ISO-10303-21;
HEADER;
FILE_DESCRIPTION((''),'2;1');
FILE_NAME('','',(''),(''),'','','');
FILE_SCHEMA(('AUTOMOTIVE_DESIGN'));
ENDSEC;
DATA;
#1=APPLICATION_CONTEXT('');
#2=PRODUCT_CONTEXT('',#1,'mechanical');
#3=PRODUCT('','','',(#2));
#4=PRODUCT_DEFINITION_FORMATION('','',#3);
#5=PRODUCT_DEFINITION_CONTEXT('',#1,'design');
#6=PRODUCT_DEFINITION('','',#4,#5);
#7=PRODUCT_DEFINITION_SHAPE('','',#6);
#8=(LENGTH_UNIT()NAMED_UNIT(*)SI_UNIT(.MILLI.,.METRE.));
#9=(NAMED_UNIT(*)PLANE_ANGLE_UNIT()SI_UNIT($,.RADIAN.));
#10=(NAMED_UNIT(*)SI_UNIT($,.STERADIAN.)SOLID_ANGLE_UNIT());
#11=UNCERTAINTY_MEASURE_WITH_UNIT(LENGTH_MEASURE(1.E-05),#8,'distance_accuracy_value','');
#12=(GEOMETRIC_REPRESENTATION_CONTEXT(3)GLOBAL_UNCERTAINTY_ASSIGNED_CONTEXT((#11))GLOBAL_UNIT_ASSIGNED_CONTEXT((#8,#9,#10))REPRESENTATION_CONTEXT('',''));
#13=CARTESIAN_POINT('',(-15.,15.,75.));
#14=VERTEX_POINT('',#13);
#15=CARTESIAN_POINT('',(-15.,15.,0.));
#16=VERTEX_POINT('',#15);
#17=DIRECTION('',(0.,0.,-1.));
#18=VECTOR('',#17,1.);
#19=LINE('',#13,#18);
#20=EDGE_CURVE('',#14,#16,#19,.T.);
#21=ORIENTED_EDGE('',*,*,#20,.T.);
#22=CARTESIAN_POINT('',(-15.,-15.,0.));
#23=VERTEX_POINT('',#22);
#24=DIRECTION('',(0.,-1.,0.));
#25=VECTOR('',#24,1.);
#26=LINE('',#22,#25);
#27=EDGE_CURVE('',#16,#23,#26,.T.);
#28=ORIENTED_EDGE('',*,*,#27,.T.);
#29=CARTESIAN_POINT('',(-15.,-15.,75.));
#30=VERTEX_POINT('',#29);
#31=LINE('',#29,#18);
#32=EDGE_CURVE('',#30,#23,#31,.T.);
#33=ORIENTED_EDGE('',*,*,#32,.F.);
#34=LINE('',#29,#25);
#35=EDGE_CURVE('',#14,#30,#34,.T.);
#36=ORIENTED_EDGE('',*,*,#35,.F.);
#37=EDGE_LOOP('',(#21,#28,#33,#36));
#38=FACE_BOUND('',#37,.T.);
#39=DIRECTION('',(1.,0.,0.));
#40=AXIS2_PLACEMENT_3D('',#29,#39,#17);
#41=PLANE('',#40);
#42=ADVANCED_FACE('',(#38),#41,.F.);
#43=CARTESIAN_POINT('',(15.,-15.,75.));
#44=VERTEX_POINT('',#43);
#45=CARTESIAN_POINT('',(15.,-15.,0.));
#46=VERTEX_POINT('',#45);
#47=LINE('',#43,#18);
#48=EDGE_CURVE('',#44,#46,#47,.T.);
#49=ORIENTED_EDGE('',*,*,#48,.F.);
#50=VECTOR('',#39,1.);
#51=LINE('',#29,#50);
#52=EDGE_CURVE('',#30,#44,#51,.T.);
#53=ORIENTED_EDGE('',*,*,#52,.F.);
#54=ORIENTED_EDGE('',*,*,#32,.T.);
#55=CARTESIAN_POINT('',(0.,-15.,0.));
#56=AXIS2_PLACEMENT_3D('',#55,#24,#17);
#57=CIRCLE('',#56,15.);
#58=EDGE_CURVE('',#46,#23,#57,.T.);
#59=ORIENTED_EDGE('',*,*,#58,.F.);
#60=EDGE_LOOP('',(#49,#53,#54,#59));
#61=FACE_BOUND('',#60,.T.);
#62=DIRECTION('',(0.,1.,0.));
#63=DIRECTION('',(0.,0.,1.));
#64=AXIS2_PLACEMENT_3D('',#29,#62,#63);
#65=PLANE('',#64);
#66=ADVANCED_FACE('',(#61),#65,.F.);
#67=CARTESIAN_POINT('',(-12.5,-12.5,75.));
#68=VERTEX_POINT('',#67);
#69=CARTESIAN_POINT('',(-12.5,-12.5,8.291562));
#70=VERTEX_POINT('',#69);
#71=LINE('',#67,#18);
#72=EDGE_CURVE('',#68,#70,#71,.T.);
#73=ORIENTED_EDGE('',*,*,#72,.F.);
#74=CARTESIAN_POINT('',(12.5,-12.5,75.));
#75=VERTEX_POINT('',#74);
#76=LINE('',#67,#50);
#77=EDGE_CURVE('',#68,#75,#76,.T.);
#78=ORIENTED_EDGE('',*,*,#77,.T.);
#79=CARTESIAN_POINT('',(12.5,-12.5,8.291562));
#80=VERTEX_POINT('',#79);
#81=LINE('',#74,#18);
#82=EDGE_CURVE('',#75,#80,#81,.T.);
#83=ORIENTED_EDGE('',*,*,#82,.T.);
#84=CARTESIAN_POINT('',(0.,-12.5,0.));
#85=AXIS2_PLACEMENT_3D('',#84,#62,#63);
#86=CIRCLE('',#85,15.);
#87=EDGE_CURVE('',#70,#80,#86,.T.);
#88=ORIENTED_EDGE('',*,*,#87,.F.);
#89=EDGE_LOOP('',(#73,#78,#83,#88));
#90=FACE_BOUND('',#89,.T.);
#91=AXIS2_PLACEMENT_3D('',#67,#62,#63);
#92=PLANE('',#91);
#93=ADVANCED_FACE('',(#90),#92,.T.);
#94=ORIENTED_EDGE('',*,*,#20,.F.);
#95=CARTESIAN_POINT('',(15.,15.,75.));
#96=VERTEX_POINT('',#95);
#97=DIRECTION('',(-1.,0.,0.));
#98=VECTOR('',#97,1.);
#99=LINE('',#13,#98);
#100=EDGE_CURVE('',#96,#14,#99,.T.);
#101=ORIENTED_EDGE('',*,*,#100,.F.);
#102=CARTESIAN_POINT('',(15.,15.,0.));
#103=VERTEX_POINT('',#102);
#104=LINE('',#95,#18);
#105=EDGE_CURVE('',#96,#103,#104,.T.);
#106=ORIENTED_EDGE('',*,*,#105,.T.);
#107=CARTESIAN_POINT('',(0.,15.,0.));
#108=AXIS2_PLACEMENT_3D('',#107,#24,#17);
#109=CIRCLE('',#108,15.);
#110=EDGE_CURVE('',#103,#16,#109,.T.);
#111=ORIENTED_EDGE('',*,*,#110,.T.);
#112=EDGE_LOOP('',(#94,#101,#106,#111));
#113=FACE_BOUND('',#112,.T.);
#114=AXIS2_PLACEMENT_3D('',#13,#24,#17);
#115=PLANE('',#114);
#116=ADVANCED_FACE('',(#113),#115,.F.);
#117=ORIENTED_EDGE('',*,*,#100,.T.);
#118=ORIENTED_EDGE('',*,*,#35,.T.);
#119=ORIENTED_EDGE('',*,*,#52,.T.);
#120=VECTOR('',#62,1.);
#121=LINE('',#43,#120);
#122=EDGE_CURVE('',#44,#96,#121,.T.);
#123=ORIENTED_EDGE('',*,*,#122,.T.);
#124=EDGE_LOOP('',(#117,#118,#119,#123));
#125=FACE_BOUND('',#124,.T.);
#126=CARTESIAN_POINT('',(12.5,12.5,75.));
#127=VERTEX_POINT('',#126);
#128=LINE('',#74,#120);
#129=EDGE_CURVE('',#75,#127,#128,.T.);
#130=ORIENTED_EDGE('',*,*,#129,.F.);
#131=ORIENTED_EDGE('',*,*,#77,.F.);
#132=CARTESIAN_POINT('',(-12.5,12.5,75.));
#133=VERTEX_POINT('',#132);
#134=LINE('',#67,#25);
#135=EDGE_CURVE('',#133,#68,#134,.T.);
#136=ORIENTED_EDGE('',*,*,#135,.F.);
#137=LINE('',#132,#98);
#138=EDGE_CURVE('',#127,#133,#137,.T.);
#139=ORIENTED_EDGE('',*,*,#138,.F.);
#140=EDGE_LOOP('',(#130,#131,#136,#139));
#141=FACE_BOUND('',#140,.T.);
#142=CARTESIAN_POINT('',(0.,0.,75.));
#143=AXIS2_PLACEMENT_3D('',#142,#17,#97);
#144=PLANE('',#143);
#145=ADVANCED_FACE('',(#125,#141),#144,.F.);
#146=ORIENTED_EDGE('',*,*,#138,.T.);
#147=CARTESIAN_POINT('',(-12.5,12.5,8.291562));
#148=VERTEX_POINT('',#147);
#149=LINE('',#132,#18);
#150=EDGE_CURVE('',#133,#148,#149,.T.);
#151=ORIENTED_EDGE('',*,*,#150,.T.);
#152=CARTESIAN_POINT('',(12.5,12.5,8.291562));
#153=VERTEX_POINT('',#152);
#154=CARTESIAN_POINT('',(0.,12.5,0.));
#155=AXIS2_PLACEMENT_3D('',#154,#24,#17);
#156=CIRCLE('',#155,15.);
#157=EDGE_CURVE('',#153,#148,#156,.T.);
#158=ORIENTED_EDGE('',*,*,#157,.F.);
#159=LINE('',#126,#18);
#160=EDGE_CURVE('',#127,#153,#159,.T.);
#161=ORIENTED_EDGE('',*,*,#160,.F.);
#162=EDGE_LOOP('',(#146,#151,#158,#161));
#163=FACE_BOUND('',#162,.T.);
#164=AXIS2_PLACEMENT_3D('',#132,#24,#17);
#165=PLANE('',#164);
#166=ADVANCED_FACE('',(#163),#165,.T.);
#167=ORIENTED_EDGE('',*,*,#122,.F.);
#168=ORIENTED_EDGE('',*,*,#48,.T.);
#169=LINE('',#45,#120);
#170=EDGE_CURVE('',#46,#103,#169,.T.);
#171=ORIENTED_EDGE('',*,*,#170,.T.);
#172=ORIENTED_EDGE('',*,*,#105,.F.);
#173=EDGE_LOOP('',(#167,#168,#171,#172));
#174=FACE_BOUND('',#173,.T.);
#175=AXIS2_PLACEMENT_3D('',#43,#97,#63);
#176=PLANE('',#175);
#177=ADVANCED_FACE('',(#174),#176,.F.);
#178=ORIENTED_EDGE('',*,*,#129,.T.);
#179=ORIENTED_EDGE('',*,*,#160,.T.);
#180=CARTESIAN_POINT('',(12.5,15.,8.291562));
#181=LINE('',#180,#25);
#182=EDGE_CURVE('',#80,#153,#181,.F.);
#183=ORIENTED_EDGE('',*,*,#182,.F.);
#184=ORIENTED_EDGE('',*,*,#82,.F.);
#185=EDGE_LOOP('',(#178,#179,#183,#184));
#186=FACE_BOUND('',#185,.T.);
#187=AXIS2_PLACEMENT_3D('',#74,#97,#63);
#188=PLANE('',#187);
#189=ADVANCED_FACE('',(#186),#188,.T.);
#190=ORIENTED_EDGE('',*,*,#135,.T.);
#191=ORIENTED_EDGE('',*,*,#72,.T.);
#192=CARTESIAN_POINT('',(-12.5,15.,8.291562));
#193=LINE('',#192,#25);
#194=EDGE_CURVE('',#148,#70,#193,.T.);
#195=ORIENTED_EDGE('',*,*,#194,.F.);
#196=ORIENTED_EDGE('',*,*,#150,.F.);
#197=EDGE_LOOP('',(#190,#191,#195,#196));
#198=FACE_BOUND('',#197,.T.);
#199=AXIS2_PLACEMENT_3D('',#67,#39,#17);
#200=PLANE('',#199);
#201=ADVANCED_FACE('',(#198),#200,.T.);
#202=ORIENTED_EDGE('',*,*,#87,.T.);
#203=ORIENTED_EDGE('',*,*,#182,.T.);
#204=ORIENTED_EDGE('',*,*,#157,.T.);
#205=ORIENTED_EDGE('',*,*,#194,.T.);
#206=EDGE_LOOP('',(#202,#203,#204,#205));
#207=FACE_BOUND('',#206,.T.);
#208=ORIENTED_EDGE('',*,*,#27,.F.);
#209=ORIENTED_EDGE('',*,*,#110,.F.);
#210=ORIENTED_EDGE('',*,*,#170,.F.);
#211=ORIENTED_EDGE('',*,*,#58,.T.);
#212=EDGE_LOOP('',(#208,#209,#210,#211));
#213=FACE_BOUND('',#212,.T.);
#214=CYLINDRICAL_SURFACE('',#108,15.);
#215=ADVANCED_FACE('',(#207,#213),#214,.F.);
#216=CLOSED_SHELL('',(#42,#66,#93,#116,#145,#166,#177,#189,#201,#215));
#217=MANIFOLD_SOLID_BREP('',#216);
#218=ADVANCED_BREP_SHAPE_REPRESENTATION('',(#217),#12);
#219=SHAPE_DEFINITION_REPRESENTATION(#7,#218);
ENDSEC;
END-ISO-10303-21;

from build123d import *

# Parameters (mm, degrees)
SKETCH1_W           = 30
SKETCH1_H           = 30
SKETCH1_W_2         = 25
SKETCH1_H_2         = 25
BOSS_EXTRUDE1_DEPTH = 75
SKETCH2_R           = 15
CUT_EXTRUDE1_DEPTH  = 83.158383626


with BuildPart() as part:
    # Sketch1 → Boss-Extrude1 (new body)
    with BuildSketch(Plane.XY):
        Rectangle(SKETCH1_W, SKETCH1_H)
        Rectangle(SKETCH1_W_2, SKETCH1_H_2, mode=Mode.SUBTRACT)
    extrude(amount=BOSS_EXTRUDE1_DEPTH)

    # Sketch2 → Cut-Extrude1 (cut, through all)
    with BuildSketch(Plane.XZ.offset(15)):
        Circle(SKETCH2_R)
    extrude(amount=-CUT_EXTRUDE1_DEPTH, mode=Mode.SUBTRACT)


solid = part.part
